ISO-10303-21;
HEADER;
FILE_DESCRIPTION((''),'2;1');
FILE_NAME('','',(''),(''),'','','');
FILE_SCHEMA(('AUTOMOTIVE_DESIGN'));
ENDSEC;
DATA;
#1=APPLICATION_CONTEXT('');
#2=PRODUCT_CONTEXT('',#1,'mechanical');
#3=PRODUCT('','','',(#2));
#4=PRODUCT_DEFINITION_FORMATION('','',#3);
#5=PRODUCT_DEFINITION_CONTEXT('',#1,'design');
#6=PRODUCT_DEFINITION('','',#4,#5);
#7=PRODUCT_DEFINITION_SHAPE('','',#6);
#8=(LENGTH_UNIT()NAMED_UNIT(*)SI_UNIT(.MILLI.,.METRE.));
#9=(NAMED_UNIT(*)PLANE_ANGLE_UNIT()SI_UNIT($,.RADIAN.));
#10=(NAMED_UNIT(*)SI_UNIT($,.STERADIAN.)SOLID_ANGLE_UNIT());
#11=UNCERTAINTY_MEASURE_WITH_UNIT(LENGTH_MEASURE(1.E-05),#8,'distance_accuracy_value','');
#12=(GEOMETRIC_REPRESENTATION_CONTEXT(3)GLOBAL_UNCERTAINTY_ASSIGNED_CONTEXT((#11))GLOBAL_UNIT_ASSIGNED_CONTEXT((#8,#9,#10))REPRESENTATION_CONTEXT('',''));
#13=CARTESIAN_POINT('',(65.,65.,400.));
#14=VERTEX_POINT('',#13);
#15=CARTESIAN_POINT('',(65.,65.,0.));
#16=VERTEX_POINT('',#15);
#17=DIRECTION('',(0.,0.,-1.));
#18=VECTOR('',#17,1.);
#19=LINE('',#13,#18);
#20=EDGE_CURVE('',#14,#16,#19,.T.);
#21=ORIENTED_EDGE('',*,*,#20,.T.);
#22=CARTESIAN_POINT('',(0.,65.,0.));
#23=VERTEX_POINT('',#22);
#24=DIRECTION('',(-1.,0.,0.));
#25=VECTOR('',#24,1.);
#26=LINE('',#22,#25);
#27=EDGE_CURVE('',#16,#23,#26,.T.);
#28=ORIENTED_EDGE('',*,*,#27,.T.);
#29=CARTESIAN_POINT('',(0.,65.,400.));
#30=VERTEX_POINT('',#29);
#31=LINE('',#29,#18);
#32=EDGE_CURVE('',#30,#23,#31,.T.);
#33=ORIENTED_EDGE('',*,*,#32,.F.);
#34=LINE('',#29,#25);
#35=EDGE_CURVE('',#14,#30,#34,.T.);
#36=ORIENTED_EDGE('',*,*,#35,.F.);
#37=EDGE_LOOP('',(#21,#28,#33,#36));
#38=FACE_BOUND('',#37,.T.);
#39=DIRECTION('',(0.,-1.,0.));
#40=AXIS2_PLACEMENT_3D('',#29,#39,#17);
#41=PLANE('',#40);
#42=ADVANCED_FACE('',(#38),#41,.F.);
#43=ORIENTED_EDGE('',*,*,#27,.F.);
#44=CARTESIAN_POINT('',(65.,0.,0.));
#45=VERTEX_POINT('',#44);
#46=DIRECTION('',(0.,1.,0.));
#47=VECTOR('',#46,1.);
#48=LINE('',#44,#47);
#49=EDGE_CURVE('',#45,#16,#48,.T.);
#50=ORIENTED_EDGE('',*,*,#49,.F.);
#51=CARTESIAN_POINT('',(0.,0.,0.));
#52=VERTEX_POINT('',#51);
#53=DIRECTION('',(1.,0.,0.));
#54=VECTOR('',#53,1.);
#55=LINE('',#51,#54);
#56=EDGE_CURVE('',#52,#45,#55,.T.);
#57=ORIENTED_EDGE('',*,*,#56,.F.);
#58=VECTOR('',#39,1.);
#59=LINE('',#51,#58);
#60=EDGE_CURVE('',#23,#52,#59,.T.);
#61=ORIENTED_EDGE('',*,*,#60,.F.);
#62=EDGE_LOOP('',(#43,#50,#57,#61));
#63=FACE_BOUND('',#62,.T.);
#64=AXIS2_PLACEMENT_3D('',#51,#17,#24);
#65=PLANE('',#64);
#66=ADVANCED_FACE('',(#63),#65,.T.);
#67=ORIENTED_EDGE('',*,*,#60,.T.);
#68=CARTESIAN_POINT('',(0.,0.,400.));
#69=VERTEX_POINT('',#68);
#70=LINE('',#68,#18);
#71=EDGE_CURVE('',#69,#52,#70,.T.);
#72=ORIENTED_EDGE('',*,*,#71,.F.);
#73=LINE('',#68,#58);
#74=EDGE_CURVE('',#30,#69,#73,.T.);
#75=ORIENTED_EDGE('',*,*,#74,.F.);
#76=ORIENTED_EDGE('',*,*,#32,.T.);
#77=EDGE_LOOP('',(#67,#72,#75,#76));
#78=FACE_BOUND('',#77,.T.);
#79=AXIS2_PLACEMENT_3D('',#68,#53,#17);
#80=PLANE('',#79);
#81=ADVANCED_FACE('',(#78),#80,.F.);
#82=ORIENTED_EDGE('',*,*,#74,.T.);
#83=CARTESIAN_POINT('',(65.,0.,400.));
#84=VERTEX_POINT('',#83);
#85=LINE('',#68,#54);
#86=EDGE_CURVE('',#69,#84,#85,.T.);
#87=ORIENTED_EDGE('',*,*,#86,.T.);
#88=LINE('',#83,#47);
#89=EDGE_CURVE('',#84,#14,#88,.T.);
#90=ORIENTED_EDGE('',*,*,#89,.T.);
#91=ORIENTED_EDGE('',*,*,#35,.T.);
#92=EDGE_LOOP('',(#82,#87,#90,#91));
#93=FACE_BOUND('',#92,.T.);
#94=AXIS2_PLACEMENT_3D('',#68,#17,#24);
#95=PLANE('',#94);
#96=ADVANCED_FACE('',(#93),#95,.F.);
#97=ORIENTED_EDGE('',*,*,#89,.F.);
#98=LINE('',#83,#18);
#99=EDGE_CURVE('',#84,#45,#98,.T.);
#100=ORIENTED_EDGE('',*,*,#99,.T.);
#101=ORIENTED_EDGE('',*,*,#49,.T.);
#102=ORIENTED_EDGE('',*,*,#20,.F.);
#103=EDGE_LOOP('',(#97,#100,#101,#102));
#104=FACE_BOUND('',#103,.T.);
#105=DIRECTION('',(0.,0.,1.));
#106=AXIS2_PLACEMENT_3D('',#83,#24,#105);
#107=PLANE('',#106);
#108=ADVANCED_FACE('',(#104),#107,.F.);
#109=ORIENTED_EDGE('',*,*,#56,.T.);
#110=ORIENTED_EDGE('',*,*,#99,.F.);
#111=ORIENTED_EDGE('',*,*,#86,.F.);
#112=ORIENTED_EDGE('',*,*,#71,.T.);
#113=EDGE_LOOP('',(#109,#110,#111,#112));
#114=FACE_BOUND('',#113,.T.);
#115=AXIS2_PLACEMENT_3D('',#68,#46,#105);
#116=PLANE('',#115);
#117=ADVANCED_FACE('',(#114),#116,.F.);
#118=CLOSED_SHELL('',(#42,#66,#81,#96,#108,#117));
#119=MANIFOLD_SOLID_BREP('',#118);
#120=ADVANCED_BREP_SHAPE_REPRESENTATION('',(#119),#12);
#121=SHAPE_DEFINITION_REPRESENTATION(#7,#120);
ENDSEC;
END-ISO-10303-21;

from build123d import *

# Parameters (mm, degrees)
SKETCH1_W           = 65
SKETCH1_H           = 65
BOSS_EXTRUDE1_DEPTH = 400


with BuildPart() as part:
    # Sketch1 → Boss-Extrude1 (new body)
    with BuildSketch(Plane.XY):
        with Locations((32.5, 32.5)):
            Rectangle(SKETCH1_W, SKETCH1_H)
    extrude(amount=BOSS_EXTRUDE1_DEPTH)


solid = part.part
